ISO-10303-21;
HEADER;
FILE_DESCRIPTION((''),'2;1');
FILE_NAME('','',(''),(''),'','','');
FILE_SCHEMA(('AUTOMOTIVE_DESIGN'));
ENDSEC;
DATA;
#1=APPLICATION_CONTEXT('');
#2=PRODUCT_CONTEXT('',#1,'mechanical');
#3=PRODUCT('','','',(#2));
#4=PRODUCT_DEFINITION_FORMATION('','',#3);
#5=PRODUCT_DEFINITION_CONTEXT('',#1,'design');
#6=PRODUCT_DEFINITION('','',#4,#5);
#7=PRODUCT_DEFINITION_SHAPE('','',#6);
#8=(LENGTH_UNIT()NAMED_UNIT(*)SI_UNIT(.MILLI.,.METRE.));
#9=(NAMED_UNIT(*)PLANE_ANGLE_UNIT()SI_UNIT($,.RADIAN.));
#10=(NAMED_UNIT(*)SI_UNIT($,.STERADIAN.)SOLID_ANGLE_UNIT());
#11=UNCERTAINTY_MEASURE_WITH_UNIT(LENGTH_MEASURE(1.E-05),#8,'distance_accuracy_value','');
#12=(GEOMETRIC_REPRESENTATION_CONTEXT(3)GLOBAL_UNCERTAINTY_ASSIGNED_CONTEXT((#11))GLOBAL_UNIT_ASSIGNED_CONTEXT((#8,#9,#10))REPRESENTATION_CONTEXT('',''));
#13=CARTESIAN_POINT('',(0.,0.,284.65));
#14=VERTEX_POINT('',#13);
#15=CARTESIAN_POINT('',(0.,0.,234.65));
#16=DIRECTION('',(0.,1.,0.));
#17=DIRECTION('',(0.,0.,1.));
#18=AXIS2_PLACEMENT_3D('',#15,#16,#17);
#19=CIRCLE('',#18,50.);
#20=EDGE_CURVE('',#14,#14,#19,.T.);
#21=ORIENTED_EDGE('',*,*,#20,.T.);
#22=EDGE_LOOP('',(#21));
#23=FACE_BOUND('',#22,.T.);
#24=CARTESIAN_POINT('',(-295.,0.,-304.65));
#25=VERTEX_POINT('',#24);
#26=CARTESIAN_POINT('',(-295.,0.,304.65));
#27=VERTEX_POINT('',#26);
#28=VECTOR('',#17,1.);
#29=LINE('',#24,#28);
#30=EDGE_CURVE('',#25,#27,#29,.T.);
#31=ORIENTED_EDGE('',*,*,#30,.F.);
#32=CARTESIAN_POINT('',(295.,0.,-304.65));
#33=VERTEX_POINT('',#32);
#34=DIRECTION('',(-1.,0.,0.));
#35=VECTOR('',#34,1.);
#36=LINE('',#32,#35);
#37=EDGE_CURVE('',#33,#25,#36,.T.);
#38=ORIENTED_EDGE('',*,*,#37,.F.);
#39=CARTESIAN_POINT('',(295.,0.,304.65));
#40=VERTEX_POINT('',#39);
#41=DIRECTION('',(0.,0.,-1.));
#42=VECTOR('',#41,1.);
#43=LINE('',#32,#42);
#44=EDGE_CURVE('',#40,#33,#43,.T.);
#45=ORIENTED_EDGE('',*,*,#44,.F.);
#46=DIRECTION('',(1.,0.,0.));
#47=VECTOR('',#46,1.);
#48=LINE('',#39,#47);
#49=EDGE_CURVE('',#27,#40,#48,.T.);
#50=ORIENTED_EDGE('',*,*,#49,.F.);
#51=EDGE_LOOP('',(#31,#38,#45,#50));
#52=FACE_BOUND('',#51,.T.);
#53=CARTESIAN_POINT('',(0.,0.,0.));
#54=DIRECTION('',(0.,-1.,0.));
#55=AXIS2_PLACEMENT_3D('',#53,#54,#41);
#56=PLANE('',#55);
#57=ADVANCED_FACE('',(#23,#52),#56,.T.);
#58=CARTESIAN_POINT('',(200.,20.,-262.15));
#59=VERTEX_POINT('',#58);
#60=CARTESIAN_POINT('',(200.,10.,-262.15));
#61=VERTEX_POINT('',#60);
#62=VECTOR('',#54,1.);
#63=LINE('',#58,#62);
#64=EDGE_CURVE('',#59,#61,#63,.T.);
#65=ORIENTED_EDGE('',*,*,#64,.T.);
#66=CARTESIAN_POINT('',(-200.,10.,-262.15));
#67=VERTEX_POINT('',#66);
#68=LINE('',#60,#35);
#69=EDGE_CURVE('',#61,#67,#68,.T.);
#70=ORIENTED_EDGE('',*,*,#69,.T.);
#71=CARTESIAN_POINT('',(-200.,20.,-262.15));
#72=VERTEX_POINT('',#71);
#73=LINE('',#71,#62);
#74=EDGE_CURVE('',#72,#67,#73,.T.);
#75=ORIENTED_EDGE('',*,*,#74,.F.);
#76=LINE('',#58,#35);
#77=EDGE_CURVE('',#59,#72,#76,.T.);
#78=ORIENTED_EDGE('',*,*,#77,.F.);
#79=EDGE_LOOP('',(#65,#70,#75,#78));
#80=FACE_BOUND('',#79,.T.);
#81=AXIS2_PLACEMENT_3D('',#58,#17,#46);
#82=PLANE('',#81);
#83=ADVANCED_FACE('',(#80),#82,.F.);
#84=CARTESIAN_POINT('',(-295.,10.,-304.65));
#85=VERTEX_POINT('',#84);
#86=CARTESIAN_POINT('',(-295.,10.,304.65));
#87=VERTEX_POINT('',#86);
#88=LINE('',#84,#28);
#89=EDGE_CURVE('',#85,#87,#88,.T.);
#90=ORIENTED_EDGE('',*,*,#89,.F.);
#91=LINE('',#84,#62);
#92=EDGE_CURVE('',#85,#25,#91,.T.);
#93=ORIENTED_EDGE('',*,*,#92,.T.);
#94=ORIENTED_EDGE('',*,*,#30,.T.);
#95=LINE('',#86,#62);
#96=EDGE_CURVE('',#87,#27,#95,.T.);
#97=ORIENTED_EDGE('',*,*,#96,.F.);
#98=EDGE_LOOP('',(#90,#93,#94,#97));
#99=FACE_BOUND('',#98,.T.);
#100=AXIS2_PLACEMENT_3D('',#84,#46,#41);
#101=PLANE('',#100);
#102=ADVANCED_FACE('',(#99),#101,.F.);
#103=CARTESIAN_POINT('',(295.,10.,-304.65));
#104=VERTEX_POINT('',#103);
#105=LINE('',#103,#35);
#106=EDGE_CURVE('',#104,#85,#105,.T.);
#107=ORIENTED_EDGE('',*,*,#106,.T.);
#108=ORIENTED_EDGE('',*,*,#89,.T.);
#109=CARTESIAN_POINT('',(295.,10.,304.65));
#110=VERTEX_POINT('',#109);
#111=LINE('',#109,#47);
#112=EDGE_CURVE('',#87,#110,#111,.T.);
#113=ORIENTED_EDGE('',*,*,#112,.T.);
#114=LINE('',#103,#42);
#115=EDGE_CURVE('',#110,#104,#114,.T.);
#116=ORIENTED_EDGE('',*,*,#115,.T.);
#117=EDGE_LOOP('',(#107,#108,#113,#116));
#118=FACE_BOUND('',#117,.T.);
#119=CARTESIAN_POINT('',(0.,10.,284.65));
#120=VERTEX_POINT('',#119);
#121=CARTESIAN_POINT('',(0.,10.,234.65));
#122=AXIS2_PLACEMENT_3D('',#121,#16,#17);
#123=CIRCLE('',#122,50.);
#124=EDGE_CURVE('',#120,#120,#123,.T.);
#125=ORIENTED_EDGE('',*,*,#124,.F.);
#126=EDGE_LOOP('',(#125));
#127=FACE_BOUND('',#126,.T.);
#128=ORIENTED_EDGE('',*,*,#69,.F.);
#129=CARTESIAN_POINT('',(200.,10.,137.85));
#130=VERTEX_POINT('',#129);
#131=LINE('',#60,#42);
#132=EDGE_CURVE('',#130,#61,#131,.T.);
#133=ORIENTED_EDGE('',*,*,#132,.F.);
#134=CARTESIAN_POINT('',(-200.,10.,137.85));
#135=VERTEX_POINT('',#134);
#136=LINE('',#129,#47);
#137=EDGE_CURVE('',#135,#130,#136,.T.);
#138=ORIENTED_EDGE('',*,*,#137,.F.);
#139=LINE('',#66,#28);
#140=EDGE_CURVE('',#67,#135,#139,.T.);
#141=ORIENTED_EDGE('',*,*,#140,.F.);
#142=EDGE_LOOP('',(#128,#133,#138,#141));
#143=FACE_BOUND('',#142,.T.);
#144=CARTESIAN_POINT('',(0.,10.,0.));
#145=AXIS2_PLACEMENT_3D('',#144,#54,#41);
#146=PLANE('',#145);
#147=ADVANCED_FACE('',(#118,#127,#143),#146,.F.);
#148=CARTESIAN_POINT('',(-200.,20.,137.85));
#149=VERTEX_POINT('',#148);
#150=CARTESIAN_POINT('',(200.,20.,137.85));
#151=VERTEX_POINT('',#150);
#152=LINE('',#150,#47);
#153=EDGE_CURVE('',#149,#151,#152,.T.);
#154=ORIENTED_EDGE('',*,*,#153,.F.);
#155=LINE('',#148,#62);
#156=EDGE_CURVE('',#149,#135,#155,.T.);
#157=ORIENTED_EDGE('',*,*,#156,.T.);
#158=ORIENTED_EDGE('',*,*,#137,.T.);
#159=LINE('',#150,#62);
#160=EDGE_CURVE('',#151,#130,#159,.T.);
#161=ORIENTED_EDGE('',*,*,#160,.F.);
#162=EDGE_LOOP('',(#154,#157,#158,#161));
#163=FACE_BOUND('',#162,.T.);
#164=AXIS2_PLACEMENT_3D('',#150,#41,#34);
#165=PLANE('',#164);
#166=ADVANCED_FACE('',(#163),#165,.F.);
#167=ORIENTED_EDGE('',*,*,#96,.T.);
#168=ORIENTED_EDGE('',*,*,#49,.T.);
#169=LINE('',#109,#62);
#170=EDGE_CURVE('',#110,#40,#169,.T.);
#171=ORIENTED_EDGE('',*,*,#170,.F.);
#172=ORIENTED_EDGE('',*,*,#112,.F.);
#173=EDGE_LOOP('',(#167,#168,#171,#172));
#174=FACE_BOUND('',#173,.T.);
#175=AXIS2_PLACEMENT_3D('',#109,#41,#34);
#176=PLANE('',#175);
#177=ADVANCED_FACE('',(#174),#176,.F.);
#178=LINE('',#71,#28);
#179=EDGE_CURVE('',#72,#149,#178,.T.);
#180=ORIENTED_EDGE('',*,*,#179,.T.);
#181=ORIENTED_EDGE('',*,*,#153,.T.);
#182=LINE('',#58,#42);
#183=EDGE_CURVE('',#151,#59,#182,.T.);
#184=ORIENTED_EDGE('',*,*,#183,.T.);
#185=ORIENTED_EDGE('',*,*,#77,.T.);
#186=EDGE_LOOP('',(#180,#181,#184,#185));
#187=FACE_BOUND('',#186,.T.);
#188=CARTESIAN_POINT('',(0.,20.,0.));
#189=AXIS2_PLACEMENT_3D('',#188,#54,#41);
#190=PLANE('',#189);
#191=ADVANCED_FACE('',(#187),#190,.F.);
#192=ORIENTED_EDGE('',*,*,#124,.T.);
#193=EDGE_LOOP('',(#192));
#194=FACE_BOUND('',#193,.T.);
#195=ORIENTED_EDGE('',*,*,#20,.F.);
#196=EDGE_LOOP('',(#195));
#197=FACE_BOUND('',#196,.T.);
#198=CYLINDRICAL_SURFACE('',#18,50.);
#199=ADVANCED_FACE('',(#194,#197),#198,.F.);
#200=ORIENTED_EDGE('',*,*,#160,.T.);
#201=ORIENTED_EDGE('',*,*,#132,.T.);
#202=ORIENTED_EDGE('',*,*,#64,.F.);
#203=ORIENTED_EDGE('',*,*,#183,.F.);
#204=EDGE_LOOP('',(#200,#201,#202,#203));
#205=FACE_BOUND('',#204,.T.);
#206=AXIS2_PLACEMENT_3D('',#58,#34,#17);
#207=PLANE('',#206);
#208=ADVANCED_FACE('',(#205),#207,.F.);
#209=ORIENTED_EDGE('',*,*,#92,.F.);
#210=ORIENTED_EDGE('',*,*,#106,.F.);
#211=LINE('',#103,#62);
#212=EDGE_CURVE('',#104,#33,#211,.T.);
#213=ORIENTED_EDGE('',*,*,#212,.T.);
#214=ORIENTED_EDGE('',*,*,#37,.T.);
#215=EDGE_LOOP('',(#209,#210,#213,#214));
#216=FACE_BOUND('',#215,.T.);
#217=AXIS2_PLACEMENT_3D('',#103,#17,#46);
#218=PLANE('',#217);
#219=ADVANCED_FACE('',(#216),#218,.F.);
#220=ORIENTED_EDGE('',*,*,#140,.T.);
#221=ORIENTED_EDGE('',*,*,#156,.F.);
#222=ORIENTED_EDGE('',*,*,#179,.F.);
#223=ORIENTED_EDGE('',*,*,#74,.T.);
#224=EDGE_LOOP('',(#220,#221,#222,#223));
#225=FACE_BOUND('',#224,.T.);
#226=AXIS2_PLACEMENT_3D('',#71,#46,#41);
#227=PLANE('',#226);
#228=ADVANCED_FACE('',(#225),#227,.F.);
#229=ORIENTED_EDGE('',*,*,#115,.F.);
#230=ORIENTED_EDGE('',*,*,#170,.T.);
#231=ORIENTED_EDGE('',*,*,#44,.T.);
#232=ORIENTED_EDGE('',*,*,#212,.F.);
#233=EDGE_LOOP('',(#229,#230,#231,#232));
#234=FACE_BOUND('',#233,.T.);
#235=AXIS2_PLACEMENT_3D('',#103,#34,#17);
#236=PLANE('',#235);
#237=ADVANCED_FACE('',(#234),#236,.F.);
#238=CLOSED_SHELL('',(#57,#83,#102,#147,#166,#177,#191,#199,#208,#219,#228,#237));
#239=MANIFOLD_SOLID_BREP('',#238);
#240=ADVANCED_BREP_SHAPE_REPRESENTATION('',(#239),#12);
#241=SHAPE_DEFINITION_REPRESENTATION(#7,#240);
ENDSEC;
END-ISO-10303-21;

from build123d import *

# Parameters (mm, degrees)
SKETCH1_W           = 590
SKETCH1_H           = 609.3
BOSS_EXTRUDE1_DEPTH = 10
SKETCH2_R           = 50
CUT_EXTRUDE3_DEPTH  = 425.189371036
SKETCH3_W           = 400
SKETCH3_H           = 400
BOSS_EXTRUDE6_DEPTH = 10


with BuildPart() as part:
    # Sketch1 → Boss-Extrude1 (new body)
    with BuildSketch(Plane(origin=(0, 0, 0), x_dir=(1, 0, 0), z_dir=(0, 1, 0))):
        Rectangle(SKETCH1_W, SKETCH1_H)
    extrude(amount=BOSS_EXTRUDE1_DEPTH)

    # Sketch2 → Cut-Extrude3 (cut, through all)
    with BuildSketch(Plane(origin=(0, 10, 0), x_dir=(1, 0, 0), z_dir=(0, 1, 0))):
        with Locations(Location((0, -234.65, 0), (0, 0, 270))):
            Circle(SKETCH2_R)
    extrude(amount=-CUT_EXTRUDE3_DEPTH, mode=Mode.SUBTRACT)

    # Sketch3 → Boss-Extrude6 (add)
    with BuildSketch(Plane(origin=(0, 10, -62.246477908), x_dir=(1, 0, 0), z_dir=(0, 1, 0))):
        with Locations((0, -0.096477908)):
            Rectangle(SKETCH3_W, SKETCH3_H)
    extrude(amount=BOSS_EXTRUDE6_DEPTH)


solid = part.part
